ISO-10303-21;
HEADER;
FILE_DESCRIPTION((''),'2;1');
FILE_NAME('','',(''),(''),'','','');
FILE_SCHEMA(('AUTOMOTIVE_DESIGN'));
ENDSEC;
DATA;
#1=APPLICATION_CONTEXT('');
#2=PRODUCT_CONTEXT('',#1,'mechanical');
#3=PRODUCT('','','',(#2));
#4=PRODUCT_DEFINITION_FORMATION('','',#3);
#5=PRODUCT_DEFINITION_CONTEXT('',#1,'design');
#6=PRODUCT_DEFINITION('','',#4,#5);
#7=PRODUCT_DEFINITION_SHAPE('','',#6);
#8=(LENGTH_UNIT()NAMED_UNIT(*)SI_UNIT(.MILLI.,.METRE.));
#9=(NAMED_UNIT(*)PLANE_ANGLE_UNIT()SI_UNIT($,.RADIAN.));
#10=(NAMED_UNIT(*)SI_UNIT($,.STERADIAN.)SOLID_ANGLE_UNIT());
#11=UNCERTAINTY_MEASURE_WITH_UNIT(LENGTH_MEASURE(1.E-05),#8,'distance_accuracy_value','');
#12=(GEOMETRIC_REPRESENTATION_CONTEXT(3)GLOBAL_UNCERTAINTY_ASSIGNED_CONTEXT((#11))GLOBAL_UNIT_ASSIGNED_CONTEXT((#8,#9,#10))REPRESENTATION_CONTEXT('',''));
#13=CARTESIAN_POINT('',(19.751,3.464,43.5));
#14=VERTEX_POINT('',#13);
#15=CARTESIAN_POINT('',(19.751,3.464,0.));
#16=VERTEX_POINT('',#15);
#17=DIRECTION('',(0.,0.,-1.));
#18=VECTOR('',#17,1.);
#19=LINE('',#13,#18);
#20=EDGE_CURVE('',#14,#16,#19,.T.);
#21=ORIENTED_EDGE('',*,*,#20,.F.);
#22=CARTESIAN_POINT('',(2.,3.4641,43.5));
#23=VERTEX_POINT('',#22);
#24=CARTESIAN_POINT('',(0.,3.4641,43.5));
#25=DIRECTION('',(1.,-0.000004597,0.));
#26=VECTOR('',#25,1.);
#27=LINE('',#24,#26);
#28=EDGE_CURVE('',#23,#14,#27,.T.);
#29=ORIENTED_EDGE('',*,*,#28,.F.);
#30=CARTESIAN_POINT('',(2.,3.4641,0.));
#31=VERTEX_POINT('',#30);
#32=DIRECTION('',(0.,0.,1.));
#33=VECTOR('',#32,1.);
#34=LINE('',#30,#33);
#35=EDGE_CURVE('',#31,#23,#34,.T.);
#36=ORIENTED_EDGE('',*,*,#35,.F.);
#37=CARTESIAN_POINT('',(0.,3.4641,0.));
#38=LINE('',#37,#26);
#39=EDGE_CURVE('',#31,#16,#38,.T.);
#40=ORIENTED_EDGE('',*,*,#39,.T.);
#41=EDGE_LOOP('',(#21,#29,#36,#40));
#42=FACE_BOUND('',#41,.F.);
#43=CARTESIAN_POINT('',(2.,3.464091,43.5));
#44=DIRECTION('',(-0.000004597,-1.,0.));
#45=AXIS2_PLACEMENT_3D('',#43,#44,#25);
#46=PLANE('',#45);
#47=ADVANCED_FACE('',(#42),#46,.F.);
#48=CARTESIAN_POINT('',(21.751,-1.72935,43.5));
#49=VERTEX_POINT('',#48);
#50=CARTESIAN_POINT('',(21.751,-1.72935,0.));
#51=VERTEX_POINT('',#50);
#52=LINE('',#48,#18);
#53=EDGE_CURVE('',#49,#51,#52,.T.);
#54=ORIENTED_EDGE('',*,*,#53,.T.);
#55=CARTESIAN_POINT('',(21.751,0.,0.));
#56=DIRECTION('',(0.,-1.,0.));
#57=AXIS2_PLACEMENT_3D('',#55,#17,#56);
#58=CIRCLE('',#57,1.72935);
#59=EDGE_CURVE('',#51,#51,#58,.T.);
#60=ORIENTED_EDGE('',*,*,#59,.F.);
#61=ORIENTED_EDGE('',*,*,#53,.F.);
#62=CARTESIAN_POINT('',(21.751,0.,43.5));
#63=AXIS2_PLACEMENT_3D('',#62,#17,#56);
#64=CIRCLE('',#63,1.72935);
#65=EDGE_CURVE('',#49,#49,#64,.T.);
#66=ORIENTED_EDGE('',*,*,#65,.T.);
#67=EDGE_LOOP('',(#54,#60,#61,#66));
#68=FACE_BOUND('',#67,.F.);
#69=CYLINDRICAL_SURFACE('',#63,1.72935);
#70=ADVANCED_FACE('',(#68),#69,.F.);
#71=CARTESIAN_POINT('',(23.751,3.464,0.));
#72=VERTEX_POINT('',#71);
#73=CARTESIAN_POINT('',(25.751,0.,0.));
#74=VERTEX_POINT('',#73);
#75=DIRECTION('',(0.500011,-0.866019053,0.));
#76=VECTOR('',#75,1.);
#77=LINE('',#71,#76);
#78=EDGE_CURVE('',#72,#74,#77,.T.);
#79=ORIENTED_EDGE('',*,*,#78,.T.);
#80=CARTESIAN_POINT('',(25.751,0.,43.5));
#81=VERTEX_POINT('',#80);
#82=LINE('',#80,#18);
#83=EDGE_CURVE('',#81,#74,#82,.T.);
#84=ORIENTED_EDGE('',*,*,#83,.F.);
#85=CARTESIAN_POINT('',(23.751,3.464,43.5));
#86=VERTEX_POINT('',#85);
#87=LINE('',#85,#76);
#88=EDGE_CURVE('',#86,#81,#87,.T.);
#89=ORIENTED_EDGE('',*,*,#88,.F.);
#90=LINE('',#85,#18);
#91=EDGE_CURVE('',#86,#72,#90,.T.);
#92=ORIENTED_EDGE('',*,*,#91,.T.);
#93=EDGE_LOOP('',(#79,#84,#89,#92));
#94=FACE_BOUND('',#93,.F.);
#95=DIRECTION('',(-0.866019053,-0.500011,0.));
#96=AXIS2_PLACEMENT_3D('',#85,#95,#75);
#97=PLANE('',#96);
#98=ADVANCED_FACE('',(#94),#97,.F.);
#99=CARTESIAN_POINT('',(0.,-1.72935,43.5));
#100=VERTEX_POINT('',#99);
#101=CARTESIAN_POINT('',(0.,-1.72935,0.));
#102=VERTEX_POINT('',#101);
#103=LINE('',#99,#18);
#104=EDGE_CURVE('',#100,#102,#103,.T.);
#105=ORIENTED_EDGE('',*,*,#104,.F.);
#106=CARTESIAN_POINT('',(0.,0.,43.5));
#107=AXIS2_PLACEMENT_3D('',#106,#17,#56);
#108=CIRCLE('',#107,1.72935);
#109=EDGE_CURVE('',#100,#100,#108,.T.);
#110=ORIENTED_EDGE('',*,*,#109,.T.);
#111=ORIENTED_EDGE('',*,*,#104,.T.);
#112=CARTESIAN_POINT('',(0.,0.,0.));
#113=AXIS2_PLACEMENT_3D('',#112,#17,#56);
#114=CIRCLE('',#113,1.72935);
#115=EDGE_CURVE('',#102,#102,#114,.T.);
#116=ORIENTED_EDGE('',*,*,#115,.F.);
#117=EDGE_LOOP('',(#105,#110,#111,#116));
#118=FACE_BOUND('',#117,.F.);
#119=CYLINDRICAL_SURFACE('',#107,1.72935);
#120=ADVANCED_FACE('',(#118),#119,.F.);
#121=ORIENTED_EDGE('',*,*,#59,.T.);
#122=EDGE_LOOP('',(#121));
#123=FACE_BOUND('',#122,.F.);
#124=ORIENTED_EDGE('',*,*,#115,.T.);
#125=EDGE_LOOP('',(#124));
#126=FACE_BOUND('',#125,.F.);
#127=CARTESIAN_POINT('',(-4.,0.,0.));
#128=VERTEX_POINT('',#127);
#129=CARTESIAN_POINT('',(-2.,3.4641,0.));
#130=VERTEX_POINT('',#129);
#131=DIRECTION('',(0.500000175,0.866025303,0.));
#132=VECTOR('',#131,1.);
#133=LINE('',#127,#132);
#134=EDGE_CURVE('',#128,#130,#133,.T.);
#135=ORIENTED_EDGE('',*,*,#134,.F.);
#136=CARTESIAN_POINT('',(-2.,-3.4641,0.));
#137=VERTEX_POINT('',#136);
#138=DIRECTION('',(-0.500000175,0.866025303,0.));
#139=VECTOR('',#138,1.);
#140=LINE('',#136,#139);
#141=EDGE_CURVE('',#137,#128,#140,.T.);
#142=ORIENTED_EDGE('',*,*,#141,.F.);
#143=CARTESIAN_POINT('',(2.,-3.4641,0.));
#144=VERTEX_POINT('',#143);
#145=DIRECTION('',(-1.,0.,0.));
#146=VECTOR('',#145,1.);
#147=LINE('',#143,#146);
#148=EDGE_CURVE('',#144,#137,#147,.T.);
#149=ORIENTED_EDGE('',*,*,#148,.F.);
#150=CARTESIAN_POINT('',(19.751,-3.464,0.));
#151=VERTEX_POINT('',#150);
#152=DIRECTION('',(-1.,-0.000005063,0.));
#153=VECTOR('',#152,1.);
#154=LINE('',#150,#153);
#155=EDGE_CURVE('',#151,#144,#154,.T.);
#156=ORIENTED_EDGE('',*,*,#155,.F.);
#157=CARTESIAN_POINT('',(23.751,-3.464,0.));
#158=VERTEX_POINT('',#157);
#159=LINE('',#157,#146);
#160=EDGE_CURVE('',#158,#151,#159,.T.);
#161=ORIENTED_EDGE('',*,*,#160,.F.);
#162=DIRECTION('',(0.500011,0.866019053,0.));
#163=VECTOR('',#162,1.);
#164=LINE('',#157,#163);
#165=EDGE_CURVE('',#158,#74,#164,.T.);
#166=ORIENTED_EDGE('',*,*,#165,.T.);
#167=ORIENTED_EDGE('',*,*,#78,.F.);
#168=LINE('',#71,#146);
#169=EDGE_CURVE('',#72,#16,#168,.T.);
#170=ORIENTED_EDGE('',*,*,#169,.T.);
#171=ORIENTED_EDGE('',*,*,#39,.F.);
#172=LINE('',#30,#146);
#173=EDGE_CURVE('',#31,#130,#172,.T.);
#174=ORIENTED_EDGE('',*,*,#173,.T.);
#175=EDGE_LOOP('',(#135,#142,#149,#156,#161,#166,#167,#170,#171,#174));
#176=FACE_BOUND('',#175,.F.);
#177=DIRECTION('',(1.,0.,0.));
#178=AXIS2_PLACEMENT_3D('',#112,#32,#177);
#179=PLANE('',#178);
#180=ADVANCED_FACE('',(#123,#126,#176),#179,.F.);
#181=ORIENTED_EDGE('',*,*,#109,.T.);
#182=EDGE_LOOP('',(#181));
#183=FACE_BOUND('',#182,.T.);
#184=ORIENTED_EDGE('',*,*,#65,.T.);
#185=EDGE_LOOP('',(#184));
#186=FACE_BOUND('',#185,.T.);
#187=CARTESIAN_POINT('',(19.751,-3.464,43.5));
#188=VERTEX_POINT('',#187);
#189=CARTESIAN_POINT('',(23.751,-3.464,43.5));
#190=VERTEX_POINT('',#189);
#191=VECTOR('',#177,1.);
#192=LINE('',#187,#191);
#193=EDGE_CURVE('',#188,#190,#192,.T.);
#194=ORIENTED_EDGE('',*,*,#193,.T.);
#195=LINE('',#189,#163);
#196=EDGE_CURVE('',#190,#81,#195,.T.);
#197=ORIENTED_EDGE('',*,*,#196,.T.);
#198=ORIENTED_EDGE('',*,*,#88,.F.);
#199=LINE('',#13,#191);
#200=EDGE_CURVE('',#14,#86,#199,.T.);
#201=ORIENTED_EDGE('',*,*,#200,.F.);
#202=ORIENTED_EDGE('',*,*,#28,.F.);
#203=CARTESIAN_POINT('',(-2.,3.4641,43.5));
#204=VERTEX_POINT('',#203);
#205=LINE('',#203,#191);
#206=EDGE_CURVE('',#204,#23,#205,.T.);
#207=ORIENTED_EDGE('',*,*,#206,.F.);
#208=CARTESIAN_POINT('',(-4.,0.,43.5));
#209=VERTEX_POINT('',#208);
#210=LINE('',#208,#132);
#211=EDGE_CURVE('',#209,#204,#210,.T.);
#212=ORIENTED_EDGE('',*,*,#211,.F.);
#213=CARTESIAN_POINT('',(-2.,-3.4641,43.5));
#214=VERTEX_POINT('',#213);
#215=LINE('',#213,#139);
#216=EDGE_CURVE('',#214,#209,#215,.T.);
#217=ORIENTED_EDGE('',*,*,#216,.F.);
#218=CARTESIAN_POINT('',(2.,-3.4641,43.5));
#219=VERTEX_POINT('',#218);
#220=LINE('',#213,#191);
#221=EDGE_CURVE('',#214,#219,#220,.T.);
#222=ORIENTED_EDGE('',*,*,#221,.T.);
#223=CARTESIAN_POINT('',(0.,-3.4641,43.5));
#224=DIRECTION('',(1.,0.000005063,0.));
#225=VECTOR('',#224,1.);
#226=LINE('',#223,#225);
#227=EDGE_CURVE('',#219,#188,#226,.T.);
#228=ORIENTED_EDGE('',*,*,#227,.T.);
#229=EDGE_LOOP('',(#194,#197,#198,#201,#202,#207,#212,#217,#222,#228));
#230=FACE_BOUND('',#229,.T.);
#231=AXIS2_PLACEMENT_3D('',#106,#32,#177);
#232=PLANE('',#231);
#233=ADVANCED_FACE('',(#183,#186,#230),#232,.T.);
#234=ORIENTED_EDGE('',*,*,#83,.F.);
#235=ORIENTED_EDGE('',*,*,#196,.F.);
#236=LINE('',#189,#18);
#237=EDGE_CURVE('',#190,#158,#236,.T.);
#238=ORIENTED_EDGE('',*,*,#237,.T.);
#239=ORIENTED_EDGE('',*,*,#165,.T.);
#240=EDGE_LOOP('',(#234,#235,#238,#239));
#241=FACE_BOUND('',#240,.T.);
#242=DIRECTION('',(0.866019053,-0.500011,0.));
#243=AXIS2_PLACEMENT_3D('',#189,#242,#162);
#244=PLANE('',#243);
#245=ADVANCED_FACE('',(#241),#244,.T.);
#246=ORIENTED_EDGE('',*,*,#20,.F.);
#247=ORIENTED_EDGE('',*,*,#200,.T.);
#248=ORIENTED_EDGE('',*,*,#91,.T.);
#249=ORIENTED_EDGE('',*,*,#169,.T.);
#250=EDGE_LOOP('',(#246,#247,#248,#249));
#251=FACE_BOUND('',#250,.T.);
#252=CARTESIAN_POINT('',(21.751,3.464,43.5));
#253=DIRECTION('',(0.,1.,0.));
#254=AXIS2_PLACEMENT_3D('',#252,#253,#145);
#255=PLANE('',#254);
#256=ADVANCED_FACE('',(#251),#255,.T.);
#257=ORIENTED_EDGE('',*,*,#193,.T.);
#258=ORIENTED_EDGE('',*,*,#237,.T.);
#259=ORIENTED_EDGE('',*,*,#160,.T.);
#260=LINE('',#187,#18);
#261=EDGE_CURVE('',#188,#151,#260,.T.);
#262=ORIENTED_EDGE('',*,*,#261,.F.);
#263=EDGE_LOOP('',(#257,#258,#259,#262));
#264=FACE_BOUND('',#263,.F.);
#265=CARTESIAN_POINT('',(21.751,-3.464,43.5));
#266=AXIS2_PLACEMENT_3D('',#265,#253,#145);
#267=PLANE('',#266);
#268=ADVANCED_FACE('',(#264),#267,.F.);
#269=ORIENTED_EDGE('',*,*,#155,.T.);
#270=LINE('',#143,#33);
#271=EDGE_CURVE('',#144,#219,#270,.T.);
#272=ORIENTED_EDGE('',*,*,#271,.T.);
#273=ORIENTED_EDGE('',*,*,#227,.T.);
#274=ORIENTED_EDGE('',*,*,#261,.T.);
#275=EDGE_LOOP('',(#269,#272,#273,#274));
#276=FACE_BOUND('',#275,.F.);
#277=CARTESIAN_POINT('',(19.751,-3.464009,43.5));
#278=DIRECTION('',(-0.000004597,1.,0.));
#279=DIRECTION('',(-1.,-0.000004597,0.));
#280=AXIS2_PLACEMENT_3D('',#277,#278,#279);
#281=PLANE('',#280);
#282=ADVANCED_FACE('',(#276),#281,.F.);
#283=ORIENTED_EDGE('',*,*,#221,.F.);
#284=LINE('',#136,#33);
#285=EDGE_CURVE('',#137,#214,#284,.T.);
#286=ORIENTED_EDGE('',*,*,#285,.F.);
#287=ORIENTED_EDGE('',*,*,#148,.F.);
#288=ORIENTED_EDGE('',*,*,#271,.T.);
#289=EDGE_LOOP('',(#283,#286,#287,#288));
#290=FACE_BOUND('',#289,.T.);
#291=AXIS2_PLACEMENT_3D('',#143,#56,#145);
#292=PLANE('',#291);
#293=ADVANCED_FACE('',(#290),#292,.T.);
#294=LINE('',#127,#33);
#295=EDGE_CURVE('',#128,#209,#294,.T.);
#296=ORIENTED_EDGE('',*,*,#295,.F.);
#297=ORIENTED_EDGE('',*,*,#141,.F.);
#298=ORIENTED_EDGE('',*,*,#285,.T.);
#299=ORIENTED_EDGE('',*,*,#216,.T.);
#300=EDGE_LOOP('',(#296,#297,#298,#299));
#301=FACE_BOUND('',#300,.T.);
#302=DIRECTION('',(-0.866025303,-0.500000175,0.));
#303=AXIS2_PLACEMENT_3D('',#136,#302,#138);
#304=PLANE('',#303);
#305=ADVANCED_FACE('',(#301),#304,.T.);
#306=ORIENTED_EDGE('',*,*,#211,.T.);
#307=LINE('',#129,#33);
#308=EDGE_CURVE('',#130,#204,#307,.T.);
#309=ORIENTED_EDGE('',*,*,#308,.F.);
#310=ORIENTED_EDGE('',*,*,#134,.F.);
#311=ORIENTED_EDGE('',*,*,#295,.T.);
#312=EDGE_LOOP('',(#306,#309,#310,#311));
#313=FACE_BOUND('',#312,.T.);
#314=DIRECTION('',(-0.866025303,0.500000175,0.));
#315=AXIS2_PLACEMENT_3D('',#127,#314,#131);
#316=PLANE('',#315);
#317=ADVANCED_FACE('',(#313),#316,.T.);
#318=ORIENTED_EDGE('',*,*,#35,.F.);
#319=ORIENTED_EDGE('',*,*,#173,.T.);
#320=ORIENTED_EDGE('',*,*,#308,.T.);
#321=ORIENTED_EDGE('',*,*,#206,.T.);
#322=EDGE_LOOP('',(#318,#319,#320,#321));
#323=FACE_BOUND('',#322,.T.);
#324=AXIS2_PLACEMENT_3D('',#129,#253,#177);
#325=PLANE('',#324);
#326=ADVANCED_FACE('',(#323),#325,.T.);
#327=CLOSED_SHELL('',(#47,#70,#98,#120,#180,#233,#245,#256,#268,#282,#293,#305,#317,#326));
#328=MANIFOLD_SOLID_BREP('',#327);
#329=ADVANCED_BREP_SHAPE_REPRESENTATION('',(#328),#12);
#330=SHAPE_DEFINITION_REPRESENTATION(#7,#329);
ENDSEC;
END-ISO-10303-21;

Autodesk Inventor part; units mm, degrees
sketch "Sketch2" plane through (0, 0, 0) normal (0, 0, 1) x (1, 0, 0)
  line L0 (0, 2.8582) -> (0, -2.8582) construction
  line L1 (-5.7775, 0) -> (5.7775, 0) construction
  line L2 (0, 0) -> (4, 0)
  line L3 (4, 0) -> (-4, 0)
  circle A0 centre (0, 0) radius 4
  line L4 (0, 0) -> (-2, 3.4641)
  line L5 (0, 0) -> (4, 0) construction
  line L6 (0, 0) -> (2, 3.4641)
  line L7 (0, 0) -> (4, 0) construction
  line L8 (0, 0) -> (4, 0)
  line L9 (0, 0) -> (2, -3.4641)
  line L10 (0, 0) -> (-2, -3.4641)
  line L11 (-2, 3.4641) -> (2, 3.4641)
  line L12 (2, 3.4641) -> (4, 0)
  line L13 (4, 0) -> (2, -3.4641)
  line L14 (2, -3.4641) -> (-2, -3.4641)
  line L15 (-2, -3.4641) -> (-4, 0)
  line L16 (-4, 0) -> (-2, 3.4641)
  dimension "d3" = 4
  dimension "d2" = 8
  dimension "d1" = 120
  dimension "d0" = 60
extrude "Extrusion1" add sketch "Sketch2" along normal blind 43.5 contours L6 L12 L2 | L10 L15 L3 | L3 L16 L4 | L4 L11 L6 | L2 L13 L9 | L9 L14 L10
sketch "Sketch3" plane through (0, 0, 43.5) normal (0, 0, 1) x (1, 0, 0)
  point P0 (0, 0)
  point P1 (0, 0)
hole "Hole1" at (0, 0, 43.5) direction (0, 0, -1) diameter 3.4587 depth 44 thread size "M4x0.5" class "6H" standard "ISO Metric profile"
sketch "Sketch5" plane through (0, 0, 43.5) normal (0, 0, 1) x (1, 0, 0)
  line L0 (0, 0) -> (21.751, 0)
  line L1 (21.751, 0) -> (25.751, 0)
  line L2 (21.751, 0) -> (21.751, 3.464)
  line L3 (21.751, 3.464) -> (23.751, 3.464)
  line L4 (23.751, 3.464) -> (25.751, 0)
  line L5 (21.751, 3.464) -> (19.751, 3.464)
  line L6 (21.751, 0) -> (17.751, 0)
  line L7 (17.751, 0) -> (19.751, 3.464)
  line L8 (21.751, 0) -> (21.751, -3.464)
  line L9 (21.751, -3.464) -> (23.751, -3.464)
  line L10 (23.751, -3.464) -> (25.751, 0)
  line L11 (21.751, -3.464) -> (19.751, -3.464)
  line L12 (19.751, -3.464) -> (17.751, 0)
  line L13 (2, 3.4641) -> (-2, 3.4641) projected
  line L14 (0, 3.4641) -> (21.751, 3.464)
  line L15 (21.751, -3.464) -> (0, -3.4641)
  line L16 (-2, -3.4641) -> (2, -3.4641) projected
  line L17 (4, 0) -> (2, 3.4641) projected
  line L18 (0, 3.4641) -> (4, 0)
  line L19 (4, 0) -> (0, -3.4641)
  point P0 (2, 3.4641)
  point P1 (63.19, -3.464)
  point P2 (63.19, 3.464)
  dimension "d29" = 21.751
  dimension "d28" = 4
  dimension "d27" = 3.464
  dimension "d26" = 2
  dimension "d25" = 2
  dimension "d24" = 4
  dimension "d23" = 3.464
  dimension "d22" = 2
  dimension "d21" = 2
extrude "Extrusion2" add sketch "Sketch5" against normal blind 43.5
sketch "Sketch6" plane through (0, 0, 43.5) normal (0, 0, 1) x (1, 0, 0)
  line L0 (0, 0) -> (21.751, 0)
  dimension "d34" = 21.751
hole "Hole3" at (21.751, 0, 43.5) direction (0, 0, -1) diameter 3.4587 depth 44 thread size "M4x0.5" class "6H" standard "ISO Metric profile"
properties part number "Steunstuk kort" material "S235"
